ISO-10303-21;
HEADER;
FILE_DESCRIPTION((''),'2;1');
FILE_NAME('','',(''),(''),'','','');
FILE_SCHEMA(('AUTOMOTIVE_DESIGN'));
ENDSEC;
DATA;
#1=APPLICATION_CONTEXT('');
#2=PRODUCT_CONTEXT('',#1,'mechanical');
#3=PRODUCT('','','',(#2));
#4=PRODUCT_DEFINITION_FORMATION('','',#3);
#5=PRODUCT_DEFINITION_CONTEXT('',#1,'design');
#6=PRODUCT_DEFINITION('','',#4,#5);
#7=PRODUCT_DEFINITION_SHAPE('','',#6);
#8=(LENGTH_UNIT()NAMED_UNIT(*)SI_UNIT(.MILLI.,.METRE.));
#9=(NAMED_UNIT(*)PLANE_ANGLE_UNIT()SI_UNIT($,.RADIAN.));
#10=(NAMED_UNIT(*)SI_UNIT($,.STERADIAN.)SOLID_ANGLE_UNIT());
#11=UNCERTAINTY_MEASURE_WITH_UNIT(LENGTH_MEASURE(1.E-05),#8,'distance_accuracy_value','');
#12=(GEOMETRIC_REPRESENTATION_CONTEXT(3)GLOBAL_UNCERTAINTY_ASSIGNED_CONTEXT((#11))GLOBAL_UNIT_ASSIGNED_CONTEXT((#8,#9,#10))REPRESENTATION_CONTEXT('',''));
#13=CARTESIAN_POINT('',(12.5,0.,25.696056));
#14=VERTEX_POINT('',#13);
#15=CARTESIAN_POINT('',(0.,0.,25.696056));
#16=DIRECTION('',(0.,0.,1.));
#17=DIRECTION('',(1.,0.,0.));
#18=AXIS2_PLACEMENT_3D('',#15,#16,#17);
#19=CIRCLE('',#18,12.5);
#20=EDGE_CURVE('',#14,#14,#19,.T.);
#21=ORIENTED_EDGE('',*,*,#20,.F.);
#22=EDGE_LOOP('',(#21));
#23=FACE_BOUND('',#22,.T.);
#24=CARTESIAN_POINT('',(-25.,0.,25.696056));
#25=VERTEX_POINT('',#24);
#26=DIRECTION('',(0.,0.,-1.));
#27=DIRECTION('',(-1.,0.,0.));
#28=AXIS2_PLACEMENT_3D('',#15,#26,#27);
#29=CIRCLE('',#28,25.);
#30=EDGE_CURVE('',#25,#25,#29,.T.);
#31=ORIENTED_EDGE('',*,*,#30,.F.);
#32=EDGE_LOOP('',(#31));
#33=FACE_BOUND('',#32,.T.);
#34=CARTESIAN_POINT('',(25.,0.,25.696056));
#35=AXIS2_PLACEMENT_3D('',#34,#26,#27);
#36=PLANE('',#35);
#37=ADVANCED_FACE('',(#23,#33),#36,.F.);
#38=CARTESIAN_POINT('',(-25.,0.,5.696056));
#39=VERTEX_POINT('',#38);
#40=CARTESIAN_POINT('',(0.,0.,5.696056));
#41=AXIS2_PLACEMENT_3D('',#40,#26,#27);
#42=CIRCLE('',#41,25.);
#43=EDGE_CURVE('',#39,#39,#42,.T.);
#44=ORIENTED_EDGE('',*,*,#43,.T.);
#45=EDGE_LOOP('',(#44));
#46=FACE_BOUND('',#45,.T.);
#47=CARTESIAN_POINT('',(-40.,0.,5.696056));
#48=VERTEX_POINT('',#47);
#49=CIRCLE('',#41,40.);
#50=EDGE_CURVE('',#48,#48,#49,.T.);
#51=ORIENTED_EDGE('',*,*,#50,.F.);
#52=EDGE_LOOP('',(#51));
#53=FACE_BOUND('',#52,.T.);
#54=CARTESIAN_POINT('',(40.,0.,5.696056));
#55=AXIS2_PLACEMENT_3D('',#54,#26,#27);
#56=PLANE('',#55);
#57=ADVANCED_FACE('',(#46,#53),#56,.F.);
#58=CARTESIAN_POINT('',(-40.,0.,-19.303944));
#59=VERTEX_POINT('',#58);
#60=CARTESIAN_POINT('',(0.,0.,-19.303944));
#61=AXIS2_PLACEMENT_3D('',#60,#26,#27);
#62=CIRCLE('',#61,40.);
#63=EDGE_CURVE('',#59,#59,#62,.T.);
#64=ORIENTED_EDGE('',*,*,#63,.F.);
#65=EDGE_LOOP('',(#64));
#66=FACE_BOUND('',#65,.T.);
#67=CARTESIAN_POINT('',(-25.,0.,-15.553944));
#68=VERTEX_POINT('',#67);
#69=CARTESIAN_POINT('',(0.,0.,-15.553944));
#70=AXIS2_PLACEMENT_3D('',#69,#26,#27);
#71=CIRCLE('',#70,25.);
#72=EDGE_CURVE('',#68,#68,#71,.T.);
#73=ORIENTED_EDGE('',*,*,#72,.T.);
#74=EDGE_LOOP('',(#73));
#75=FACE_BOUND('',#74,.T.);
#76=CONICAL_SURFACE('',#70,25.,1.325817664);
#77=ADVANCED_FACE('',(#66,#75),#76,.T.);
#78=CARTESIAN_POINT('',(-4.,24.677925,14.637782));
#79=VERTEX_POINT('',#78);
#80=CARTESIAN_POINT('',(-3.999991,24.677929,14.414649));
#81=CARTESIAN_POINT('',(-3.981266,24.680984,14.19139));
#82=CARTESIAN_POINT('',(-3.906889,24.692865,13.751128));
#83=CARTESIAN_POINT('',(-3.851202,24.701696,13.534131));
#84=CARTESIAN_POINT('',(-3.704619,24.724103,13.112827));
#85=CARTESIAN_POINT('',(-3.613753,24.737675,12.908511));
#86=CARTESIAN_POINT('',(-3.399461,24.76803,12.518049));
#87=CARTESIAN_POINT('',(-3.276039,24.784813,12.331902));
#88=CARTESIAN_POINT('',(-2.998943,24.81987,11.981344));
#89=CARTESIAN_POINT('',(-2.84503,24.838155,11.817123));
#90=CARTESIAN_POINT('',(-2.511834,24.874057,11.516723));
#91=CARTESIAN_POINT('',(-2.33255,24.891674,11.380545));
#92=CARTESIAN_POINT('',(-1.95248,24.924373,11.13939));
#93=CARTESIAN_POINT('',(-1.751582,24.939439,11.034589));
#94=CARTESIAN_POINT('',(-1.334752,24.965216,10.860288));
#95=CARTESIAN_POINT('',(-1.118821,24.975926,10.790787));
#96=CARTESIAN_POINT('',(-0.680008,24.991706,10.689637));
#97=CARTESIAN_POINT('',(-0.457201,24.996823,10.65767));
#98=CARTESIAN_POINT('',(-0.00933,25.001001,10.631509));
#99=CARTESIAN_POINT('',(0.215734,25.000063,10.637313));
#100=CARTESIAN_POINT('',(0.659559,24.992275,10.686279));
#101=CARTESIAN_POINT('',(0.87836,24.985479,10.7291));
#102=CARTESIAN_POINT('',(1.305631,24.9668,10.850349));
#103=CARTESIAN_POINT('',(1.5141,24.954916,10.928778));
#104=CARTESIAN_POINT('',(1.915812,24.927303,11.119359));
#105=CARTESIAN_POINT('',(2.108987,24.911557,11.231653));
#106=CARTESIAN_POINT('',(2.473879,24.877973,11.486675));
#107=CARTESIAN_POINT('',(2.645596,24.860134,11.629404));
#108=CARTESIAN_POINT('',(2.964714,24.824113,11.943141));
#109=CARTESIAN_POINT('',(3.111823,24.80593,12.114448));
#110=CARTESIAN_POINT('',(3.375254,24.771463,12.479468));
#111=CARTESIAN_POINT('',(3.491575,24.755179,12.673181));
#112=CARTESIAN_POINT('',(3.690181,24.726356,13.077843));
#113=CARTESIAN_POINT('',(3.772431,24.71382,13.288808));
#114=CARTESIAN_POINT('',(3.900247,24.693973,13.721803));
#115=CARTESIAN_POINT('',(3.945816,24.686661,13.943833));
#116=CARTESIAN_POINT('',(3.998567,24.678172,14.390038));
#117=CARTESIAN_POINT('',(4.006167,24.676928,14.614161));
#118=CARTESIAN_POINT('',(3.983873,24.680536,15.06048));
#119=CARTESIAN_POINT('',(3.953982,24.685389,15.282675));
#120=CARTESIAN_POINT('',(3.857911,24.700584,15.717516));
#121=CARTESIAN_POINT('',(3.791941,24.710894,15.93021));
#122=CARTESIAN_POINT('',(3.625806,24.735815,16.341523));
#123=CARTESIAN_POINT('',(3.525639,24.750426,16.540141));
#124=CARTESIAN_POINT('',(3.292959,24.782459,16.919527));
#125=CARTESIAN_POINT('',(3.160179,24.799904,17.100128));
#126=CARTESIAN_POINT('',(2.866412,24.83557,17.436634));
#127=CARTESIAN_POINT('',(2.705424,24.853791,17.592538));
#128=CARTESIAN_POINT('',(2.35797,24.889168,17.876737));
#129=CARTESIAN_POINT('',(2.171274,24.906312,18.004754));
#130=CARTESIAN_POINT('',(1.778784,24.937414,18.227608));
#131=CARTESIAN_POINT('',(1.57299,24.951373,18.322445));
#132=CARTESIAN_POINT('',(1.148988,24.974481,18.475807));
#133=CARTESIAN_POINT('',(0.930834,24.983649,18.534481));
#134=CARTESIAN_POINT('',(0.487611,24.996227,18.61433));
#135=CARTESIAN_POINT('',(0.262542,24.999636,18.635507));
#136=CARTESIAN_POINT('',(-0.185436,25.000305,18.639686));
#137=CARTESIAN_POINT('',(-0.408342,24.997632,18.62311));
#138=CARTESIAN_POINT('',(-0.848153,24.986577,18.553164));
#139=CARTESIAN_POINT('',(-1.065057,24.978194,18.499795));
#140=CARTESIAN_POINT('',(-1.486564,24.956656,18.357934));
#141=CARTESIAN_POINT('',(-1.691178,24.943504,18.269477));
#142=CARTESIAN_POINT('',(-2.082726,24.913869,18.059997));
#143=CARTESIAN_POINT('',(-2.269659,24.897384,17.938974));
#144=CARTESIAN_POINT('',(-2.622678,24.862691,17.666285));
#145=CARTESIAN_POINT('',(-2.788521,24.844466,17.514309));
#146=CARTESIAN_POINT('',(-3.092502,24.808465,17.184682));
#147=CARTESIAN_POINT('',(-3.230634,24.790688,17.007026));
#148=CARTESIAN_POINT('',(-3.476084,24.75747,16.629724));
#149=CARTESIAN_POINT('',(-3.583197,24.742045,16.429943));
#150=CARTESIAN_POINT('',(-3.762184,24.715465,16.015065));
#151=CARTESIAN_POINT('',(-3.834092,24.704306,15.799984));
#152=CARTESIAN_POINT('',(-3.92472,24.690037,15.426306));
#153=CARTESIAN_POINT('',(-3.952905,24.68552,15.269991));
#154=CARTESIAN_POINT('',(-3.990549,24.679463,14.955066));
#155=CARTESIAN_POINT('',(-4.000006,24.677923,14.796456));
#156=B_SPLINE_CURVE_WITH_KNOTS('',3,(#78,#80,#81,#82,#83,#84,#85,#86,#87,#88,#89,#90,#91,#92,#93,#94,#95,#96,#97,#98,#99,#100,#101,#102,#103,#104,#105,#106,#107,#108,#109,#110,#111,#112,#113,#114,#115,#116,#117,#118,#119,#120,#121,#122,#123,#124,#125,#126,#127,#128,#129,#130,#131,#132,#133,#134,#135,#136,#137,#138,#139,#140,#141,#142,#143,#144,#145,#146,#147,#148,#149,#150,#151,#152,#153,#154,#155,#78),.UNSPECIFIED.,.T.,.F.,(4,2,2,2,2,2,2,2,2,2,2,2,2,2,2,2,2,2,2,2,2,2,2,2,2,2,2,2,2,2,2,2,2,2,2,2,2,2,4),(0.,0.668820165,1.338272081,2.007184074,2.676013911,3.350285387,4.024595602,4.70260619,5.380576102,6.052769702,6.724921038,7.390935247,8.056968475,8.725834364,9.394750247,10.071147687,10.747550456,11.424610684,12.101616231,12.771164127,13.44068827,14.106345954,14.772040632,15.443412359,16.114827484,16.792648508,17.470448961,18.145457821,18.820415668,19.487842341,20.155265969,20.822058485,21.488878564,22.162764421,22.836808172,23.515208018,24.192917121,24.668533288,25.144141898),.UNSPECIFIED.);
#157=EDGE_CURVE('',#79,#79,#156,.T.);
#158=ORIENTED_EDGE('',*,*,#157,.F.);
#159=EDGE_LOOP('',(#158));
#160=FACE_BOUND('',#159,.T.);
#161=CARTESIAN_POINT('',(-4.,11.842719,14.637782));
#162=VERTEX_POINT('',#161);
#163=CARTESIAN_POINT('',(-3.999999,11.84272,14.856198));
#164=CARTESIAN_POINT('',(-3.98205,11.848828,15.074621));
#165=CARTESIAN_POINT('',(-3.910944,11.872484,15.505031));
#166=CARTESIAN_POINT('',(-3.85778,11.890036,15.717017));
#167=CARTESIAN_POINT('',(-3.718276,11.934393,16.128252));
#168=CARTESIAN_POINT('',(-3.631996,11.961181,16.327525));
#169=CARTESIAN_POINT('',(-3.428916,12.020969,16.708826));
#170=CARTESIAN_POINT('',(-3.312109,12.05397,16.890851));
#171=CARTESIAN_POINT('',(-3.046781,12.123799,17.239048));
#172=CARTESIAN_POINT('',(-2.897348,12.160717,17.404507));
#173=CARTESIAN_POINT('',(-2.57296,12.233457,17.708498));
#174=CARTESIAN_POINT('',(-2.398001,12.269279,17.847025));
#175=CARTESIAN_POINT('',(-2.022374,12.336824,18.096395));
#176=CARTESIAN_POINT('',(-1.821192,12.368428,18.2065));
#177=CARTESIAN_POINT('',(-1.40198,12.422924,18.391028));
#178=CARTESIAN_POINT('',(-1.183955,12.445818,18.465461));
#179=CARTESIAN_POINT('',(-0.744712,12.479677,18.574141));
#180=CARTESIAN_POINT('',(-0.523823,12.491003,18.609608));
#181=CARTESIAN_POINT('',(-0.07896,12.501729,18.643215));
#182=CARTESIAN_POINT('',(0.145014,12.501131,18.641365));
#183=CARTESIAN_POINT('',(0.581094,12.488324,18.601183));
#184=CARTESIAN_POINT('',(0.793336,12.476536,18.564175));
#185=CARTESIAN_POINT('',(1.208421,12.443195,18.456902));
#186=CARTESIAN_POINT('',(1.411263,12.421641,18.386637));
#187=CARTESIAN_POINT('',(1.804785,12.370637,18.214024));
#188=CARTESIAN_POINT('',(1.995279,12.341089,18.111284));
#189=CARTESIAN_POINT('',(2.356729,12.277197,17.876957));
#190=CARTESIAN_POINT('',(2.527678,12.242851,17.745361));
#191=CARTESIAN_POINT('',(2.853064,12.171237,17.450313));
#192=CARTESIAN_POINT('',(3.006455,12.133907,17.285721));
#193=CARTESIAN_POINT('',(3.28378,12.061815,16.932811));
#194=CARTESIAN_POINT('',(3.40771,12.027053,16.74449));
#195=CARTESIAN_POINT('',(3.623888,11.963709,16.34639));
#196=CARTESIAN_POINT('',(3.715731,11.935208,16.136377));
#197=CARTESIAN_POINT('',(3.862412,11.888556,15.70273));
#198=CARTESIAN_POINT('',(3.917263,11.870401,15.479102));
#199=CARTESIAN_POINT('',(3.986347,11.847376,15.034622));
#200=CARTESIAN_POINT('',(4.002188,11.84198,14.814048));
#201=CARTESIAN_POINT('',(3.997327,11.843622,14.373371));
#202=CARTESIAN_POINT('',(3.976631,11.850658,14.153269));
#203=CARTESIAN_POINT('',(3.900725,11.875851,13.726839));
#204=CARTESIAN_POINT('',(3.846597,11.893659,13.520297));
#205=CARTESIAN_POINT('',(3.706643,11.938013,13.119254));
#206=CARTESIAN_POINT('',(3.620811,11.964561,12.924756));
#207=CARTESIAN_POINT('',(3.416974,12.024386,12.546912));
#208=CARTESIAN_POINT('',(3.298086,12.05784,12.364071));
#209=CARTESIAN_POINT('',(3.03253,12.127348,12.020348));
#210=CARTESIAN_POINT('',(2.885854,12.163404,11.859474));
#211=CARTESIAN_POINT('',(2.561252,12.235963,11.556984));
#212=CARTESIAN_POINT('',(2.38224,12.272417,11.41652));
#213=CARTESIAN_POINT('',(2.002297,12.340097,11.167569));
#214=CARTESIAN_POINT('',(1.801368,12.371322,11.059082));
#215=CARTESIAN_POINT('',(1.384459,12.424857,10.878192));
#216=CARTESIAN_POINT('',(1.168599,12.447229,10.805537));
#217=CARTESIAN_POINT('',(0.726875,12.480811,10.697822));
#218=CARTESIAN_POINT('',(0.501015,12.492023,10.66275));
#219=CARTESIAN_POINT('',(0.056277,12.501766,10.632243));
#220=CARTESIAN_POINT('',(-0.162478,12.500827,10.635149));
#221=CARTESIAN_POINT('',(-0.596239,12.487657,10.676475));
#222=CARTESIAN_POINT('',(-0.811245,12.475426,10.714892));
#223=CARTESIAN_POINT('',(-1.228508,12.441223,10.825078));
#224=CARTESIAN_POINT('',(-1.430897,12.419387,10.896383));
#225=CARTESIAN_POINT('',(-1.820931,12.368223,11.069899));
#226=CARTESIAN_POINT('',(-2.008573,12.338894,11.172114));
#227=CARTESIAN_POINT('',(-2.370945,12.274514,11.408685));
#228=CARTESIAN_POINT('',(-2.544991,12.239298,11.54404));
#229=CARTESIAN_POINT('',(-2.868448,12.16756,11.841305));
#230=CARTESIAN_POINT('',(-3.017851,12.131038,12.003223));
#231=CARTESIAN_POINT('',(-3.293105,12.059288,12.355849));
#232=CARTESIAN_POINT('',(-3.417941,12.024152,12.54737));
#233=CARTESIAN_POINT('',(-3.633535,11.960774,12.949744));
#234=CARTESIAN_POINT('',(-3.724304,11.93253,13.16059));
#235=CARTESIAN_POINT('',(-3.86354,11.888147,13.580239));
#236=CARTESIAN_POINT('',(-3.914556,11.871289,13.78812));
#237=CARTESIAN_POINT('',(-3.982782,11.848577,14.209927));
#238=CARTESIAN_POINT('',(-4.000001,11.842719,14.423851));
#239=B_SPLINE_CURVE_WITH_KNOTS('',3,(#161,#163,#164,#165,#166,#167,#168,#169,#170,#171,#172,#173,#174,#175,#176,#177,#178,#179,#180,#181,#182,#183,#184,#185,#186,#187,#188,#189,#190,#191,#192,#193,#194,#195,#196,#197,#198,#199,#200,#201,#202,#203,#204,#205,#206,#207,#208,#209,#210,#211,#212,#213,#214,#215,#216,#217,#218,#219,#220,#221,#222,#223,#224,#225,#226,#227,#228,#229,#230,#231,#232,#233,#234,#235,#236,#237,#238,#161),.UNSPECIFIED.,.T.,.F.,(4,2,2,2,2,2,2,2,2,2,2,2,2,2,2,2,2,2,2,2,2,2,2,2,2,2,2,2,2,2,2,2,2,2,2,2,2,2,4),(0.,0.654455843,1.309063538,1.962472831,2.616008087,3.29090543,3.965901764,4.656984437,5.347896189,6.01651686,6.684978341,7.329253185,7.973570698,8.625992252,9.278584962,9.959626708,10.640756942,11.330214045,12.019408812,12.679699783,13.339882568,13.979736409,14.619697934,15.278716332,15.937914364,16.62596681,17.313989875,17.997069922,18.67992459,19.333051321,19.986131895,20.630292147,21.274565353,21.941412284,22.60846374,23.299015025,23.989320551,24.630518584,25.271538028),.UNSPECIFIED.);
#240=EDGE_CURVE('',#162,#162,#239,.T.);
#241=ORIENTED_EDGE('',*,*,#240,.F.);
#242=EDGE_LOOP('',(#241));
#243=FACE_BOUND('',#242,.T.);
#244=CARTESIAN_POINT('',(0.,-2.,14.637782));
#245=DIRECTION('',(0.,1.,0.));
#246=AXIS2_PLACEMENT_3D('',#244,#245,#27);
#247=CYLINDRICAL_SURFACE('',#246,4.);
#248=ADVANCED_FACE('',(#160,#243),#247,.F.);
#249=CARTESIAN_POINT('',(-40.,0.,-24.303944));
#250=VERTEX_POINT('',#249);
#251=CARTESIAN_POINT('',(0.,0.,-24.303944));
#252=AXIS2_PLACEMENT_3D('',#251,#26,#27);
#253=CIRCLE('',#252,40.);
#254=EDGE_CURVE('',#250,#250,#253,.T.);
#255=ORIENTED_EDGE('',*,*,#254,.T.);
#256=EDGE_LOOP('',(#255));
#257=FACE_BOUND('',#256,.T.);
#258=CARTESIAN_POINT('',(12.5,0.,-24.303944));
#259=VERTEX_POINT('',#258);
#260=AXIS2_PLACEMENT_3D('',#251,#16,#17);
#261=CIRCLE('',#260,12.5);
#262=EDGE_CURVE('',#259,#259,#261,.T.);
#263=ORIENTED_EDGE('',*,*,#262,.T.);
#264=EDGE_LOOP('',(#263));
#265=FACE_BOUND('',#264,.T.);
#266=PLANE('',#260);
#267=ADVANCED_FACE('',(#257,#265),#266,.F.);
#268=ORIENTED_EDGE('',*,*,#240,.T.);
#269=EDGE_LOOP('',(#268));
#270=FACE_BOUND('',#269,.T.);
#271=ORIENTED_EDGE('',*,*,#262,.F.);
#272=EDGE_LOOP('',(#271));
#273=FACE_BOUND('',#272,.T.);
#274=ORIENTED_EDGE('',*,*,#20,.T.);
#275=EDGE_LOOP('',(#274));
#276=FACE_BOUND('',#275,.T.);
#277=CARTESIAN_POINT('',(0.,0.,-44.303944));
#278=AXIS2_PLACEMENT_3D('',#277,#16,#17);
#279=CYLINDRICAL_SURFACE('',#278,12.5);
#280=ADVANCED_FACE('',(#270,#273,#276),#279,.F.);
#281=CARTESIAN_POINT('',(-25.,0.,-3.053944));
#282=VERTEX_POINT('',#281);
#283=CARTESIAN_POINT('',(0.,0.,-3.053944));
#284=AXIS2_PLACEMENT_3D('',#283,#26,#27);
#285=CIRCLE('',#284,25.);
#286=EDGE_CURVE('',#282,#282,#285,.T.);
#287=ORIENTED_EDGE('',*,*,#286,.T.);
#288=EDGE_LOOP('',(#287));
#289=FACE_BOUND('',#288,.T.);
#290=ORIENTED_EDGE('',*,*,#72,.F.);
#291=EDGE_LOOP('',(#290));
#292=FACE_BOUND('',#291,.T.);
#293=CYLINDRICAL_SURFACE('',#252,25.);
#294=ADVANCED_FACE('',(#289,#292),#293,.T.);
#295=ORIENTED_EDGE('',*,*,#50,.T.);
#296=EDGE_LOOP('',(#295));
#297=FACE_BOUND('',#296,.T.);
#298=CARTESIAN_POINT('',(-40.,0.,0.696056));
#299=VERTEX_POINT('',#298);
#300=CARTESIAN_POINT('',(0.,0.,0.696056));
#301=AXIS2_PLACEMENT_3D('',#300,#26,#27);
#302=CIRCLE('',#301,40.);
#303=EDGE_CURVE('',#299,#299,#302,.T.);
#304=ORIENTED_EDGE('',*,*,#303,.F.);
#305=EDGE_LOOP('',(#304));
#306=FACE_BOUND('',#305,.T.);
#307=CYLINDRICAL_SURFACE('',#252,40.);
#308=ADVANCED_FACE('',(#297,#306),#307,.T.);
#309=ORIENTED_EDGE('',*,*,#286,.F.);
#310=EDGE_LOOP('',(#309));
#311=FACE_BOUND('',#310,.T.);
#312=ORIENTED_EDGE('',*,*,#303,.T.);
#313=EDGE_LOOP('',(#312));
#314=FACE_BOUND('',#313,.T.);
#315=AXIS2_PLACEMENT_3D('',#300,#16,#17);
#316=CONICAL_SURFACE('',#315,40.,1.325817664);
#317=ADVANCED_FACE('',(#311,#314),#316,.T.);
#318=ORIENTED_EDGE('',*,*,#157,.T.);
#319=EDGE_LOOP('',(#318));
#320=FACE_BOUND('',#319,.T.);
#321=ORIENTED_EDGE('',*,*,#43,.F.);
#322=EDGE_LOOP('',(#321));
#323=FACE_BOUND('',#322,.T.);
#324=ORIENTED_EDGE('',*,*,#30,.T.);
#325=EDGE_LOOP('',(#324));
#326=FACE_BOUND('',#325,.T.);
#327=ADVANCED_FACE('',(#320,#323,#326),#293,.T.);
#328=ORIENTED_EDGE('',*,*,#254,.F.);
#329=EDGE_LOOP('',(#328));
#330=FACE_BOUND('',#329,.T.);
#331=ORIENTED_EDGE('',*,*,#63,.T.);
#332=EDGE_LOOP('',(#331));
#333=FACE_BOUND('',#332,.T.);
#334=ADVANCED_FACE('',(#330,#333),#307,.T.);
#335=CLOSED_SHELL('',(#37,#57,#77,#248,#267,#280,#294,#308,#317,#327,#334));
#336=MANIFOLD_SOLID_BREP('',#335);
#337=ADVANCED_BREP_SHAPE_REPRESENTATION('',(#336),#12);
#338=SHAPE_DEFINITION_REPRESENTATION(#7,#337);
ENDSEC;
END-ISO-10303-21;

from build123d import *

# Parameters (mm, degrees)
SKETCH2_R          = 12.5
CUT_EXTRUDE1_DEPTH = 70
SKETCH5_R          = 4
CUT_EXTRUDE2_DEPTH = 27


with BuildPart() as part:
    # Sketch1 → Revolve1 (revolve)
    with BuildSketch(Plane(origin=(0, 0, 0), x_dir=(1, 0, 0), z_dir=(0, 1, 0)), mode=Mode.PRIVATE) as revolve1_sk:
        Polygon((0, 24.303944316), (40, 24.303944316), (40, 19.303944316), (25, 15.553944316), (25, 3.053944316), (40, -0.696055684), (40, -5.696055684), (25, -5.696055684), (25, -25.696055684), (0, -25.696055684), align=None)
    revolve(revolve1_sk.sketch.rotate(Axis((0, 0, -24.303944316), (0, 0, 1)), 180), axis=Axis((0, 0, -24.303944316), (0, 0, 1)))

    # Sketch2 → Cut-Extrude1 (cut)
    with BuildSketch(Plane.XY.offset(25.696055684)):
        Circle(SKETCH2_R)
    extrude(amount=-CUT_EXTRUDE1_DEPTH, mode=Mode.SUBTRACT)

    # Sketch5 → Cut-Extrude2 (cut)
    with BuildSketch(Plane(origin=(0, 25, 25.696055684), x_dir=(1, 0, 0), z_dir=(0, 1, 0))):
        with Locations(Location((0, 11.058273662, 0), (0, 0, 180))):
            Circle(SKETCH5_R)
    extrude(amount=-CUT_EXTRUDE2_DEPTH, mode=Mode.SUBTRACT)


solid = part.part
